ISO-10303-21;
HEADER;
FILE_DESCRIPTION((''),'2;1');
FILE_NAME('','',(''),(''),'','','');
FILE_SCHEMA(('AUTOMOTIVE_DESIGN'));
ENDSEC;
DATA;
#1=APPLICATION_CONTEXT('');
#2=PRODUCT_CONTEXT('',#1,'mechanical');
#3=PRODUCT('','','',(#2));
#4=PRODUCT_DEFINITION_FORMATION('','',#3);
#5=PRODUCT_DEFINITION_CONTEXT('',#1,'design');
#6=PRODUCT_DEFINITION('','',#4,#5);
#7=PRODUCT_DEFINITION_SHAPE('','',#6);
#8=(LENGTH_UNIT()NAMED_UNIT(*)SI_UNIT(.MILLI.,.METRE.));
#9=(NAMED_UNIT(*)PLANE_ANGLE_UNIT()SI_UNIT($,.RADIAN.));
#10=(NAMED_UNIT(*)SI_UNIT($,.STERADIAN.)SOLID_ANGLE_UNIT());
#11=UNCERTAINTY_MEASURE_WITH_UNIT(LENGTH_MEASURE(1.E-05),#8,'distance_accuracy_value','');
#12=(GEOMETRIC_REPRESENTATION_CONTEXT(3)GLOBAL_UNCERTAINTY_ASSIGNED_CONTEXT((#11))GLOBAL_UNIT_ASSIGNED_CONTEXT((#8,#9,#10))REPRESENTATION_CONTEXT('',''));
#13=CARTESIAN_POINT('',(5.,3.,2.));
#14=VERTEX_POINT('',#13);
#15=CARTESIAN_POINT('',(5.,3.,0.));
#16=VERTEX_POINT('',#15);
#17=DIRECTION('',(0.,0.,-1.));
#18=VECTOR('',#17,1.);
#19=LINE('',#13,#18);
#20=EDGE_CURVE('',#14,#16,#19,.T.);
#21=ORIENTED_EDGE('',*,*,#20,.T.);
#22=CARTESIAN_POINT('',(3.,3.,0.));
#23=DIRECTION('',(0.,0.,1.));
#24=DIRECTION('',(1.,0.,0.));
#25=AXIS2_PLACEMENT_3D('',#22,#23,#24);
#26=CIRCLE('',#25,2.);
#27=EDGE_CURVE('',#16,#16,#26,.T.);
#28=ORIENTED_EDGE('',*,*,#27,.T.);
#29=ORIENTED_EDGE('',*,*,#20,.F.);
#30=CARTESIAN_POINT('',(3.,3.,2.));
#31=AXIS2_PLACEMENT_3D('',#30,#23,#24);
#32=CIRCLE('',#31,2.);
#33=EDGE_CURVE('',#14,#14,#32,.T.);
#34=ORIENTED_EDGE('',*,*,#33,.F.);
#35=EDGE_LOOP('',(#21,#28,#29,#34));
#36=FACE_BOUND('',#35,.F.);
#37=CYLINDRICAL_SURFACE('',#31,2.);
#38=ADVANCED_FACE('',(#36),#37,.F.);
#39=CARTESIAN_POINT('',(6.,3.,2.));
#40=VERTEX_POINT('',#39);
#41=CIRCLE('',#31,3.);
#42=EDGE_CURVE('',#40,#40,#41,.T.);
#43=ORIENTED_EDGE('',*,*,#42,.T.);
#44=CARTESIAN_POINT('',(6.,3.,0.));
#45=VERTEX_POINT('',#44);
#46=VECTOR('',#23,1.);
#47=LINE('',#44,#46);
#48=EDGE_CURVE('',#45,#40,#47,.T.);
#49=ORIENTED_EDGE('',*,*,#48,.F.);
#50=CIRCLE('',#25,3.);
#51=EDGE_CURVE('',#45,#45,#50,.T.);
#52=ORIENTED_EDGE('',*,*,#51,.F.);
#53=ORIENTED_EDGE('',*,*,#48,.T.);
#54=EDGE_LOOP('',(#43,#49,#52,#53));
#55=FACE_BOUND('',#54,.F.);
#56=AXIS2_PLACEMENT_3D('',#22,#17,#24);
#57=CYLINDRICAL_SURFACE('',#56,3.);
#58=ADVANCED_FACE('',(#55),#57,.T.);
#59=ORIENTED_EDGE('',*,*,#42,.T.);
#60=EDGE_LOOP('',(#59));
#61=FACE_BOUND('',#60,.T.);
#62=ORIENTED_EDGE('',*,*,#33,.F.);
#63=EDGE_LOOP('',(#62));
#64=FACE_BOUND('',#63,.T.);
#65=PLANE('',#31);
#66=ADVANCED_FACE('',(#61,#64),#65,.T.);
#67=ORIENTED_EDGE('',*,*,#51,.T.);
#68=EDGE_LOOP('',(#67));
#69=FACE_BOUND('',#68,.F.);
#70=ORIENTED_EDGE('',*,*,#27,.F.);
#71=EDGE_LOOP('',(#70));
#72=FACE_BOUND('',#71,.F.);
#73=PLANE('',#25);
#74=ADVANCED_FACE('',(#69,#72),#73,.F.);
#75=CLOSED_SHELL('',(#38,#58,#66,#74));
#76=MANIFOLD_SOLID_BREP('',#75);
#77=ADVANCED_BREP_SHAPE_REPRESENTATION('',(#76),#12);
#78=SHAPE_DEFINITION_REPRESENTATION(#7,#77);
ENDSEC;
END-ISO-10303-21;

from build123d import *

# Parameters (mm, degrees)
SKETCH_R     = 3
PAD_DEPTH    = 2
SKETCH001_R  = 2
POCKET_DEPTH = 5


with BuildPart() as part:
    # Sketch → Pad (new body)
    with BuildSketch(Plane.XY):
        with Locations((3, 3)):
            Circle(SKETCH_R)
    extrude(amount=PAD_DEPTH)

    # Sketch001 (on Face3 of Pad) → Pocket (cut)
    with BuildSketch(Plane.XY.offset(2)):
        with Locations((3, 3)):
            Circle(SKETCH001_R)
    extrude(amount=-POCKET_DEPTH, mode=Mode.SUBTRACT)


solid = part.part
